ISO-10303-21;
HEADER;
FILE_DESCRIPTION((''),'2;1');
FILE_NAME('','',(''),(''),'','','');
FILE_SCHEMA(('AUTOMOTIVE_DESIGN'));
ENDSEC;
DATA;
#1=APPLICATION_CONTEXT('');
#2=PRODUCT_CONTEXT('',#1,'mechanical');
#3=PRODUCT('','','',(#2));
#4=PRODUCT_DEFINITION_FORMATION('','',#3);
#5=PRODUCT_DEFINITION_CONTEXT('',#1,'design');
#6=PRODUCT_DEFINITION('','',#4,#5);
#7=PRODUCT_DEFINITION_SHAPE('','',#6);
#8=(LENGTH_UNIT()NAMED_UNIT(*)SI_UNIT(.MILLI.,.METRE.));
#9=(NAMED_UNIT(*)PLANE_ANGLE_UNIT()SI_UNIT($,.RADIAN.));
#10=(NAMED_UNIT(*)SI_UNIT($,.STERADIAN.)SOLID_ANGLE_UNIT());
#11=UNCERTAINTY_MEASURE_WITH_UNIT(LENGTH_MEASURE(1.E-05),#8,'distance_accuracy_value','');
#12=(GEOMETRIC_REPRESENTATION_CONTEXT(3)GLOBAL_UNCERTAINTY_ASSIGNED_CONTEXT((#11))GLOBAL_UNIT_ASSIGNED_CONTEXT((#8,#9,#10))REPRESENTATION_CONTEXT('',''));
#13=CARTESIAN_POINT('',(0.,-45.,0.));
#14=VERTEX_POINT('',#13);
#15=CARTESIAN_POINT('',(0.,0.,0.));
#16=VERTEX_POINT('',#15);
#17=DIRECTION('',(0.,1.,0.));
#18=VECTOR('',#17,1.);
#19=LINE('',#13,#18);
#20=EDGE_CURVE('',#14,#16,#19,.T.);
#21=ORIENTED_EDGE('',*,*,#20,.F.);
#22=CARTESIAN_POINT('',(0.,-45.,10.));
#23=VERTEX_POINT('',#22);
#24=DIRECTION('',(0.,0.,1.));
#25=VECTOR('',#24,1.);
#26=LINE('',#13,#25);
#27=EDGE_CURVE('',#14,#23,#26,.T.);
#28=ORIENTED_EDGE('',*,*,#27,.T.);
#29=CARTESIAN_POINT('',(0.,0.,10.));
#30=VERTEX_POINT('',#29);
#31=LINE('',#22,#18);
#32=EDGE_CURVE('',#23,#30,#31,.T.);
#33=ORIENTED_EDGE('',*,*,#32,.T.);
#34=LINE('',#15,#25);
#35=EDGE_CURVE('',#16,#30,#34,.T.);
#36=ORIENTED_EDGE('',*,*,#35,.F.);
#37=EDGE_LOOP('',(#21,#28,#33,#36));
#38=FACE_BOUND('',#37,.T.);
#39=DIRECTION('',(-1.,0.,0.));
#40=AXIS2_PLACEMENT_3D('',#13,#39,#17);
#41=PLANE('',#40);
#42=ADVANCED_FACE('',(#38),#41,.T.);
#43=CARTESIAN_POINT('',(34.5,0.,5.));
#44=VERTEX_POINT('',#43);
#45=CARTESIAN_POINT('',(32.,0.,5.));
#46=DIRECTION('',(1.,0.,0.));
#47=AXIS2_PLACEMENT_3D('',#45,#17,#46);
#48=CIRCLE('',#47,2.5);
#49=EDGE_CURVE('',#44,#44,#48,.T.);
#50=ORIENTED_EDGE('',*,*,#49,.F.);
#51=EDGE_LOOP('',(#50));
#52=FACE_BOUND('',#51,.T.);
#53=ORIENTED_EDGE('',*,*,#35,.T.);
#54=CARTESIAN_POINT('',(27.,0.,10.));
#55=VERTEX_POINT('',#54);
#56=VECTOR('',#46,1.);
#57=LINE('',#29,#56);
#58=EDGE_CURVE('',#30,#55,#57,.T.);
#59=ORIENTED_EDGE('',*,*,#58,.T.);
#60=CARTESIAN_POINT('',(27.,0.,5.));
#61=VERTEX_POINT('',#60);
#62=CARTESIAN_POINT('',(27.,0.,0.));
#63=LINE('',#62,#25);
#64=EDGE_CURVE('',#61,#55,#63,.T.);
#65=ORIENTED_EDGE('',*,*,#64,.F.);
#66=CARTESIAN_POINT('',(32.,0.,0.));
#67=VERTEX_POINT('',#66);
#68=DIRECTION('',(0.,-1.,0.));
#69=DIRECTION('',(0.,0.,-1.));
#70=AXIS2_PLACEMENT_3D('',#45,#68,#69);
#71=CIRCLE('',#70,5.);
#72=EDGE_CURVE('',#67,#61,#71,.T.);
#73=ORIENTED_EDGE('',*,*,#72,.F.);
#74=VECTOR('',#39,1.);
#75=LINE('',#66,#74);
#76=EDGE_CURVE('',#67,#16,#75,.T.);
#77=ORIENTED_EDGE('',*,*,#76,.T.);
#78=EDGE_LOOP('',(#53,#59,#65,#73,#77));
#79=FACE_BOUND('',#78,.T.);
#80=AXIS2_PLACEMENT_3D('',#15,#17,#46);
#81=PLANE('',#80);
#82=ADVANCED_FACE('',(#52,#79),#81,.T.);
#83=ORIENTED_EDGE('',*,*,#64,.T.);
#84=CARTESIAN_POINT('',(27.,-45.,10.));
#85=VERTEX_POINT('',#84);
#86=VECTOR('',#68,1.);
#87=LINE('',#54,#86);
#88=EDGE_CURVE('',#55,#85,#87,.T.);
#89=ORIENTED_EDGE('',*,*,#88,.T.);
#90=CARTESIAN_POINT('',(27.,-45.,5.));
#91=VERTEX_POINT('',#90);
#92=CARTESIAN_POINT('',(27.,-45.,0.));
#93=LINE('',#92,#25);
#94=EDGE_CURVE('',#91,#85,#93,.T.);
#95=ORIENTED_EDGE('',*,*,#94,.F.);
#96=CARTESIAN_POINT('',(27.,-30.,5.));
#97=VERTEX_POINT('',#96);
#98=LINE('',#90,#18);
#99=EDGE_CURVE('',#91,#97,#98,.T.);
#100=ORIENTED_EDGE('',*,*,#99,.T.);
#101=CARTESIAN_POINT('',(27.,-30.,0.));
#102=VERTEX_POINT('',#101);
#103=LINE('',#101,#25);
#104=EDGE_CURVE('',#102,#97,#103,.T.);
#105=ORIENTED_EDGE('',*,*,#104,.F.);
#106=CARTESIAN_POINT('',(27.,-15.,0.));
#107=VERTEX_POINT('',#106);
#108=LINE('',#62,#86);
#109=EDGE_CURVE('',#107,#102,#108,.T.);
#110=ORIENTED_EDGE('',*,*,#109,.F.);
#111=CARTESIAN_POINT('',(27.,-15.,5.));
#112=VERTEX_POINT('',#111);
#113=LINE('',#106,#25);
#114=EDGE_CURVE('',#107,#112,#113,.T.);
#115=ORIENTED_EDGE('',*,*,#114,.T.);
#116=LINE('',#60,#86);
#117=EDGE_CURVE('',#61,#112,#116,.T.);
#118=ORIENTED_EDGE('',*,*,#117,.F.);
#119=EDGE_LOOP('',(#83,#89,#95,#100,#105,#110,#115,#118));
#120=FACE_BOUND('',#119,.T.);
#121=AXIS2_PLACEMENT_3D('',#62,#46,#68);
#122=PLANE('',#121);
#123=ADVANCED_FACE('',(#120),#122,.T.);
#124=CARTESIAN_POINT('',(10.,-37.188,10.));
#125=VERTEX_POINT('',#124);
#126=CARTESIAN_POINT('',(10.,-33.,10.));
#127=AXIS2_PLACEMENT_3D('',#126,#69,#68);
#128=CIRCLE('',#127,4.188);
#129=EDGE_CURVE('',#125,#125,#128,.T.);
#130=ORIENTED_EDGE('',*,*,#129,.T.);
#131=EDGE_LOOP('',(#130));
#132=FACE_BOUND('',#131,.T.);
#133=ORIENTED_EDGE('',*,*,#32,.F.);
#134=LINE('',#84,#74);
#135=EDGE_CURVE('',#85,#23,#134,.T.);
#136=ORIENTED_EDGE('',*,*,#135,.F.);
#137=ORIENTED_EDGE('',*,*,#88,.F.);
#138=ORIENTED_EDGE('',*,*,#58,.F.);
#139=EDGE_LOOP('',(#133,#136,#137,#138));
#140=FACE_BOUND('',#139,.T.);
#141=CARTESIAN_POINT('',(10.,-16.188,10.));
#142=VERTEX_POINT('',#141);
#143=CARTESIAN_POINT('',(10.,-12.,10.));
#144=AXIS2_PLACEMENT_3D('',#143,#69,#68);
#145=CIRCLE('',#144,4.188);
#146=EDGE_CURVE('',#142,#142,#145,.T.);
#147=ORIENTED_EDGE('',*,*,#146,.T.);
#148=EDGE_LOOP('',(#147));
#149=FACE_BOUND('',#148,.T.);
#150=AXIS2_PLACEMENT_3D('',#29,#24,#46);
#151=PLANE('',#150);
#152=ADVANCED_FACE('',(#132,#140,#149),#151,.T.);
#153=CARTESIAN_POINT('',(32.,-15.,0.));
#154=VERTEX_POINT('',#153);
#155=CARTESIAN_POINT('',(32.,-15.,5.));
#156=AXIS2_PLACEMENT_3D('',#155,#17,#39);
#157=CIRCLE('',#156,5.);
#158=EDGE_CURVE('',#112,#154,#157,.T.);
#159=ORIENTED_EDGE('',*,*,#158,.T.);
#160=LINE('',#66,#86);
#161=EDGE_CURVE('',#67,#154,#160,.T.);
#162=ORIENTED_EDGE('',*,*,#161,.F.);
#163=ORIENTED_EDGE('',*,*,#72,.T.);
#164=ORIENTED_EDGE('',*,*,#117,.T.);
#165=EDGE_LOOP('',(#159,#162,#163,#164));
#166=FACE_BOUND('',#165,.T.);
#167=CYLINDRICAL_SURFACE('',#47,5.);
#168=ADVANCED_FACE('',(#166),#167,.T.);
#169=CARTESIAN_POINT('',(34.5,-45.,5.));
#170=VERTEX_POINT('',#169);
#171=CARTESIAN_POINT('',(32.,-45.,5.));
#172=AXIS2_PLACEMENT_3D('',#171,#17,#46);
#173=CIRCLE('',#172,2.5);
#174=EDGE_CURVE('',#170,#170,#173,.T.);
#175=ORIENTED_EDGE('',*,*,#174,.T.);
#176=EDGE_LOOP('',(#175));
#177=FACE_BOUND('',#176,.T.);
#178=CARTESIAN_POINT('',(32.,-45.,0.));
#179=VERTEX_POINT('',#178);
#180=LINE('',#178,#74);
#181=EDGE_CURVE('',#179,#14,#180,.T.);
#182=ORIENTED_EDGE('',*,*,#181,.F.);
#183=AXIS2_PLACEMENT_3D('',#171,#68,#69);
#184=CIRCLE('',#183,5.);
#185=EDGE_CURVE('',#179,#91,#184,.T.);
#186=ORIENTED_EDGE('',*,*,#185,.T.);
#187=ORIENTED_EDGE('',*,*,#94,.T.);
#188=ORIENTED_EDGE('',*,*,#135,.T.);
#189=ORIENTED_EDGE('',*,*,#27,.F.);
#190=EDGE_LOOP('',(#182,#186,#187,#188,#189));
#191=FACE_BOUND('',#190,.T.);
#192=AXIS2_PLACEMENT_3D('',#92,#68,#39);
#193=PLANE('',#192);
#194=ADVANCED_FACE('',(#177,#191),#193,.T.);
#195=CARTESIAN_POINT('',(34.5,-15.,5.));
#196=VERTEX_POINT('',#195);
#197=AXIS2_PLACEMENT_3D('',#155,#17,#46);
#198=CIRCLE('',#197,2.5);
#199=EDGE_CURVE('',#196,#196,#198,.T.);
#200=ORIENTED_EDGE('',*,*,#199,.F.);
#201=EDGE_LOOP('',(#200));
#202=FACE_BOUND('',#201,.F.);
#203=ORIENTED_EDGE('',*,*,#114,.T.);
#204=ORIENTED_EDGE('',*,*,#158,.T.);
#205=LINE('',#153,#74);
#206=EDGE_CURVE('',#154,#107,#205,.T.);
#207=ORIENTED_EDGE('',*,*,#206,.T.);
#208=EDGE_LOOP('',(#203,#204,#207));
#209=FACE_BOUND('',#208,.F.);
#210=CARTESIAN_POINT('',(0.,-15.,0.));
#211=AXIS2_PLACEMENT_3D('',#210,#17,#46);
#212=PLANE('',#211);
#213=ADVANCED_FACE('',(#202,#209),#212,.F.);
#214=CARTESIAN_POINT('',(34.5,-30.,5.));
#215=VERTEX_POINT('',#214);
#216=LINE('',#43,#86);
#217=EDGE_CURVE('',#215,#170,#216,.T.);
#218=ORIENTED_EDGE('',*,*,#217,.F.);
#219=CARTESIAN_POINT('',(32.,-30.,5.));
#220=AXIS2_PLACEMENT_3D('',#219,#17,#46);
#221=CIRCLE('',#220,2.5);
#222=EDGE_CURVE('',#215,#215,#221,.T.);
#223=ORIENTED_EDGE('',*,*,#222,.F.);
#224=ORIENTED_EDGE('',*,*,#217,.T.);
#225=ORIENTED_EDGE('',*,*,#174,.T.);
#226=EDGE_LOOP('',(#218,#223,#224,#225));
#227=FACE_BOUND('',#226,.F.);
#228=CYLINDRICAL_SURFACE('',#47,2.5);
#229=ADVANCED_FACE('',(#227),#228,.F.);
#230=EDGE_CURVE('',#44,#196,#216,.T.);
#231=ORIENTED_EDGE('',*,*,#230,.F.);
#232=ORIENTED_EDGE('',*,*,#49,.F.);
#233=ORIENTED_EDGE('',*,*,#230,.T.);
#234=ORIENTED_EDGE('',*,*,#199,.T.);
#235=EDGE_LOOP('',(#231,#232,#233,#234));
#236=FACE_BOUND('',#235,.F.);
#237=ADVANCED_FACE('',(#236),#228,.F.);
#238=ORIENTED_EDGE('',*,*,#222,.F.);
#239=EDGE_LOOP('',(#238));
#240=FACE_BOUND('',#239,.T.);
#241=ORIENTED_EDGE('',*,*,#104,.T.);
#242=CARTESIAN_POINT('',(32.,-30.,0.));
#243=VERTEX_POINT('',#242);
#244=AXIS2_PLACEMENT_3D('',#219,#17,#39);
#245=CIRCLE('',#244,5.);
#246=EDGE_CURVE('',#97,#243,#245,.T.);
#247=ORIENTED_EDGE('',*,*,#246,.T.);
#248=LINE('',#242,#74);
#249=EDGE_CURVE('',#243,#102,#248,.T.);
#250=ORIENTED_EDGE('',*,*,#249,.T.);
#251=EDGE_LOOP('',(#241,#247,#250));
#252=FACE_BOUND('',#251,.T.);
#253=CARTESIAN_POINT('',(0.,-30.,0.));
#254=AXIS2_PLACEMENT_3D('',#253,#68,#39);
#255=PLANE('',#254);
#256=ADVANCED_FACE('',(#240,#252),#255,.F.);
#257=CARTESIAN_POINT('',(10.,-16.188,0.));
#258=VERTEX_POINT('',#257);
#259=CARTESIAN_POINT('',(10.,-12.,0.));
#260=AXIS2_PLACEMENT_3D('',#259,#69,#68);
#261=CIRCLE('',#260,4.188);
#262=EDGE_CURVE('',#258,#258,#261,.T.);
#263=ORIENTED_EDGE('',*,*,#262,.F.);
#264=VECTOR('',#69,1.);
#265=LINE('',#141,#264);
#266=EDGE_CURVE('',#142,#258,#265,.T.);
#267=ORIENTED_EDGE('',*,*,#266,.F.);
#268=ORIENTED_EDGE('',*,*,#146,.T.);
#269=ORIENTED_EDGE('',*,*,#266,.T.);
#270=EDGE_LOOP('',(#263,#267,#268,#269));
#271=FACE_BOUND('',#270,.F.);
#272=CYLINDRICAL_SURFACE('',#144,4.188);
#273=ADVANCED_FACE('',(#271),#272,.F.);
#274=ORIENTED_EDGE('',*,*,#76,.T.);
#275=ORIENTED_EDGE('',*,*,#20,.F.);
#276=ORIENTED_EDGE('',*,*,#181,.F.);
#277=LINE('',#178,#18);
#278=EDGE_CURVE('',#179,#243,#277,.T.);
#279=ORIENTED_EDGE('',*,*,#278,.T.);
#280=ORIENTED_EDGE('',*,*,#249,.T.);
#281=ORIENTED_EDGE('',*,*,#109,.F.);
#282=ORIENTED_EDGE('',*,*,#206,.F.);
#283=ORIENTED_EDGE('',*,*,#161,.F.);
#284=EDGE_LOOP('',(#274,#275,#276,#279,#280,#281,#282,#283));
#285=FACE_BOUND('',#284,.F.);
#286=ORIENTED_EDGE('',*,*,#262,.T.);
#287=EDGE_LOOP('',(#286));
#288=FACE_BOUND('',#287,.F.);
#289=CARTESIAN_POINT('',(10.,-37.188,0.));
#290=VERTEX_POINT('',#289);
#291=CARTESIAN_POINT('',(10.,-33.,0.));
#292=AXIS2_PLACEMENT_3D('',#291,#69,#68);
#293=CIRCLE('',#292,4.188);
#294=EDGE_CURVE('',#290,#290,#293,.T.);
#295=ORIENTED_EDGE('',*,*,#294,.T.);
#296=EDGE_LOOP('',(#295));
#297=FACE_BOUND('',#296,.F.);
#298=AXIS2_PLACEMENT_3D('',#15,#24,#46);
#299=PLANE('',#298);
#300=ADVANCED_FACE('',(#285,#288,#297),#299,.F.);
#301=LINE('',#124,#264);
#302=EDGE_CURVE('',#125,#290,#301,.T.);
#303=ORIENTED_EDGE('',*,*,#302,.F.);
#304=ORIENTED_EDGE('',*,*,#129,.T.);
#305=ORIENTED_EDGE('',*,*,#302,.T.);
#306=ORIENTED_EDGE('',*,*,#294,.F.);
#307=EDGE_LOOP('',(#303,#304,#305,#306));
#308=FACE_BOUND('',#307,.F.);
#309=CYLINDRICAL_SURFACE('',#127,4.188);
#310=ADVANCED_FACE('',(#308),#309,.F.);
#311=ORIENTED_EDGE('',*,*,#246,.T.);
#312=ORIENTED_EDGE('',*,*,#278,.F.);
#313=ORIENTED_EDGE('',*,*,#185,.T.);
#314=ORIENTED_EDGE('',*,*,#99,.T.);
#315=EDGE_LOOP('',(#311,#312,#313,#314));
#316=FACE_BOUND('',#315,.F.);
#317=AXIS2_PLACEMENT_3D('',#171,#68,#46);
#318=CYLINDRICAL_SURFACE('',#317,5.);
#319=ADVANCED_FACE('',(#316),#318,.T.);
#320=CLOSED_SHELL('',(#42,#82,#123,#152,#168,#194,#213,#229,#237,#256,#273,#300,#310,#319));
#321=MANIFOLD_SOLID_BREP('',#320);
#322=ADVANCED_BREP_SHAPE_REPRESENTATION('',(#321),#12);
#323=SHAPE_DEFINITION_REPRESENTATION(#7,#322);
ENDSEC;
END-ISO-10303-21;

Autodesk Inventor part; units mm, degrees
ref_plane "YZ Plane" through (0, 0, 0) normal (1, 0, 0) x (0, 1, 0)
ref_plane "XZ Plane" through (0, 0, 0) normal (0, 1, 0) x (-1, 0, 0)
ref_plane "XY Plane" through (0, 0, 0) normal (0, 0, 1) x (1, 0, 0)
sketch "草图1" plane through (0, 0, 0) normal (0, 0, 1) x (1, 0, 0)
  line L0 (0, 0) -> (27, 0)
  line L1 (27, 0) -> (27, -45)
  line L2 (27, -45) -> (0, -45)
  line L3 (0, -45) -> (0, 0)
  dimension "d0" = 27
  dimension "d1" = 45
extrude "拉伸1" add sketch "草图1" along normal blind 10
sketch "草图2" plane through (0, 0, 0) normal (0, 1, 0) x (1, 0, 0)
  circle A0 centre (32, -5) radius 5
  line L0 (27, -10) -> (0, -10) projected
  line L1 (27, 0) -> (27, -10) projected
  line L2 (0, 0) -> (27, 0) projected
  line L3 (32, 0) -> (27, 0)
  line L4 (27, 0) -> (27, -10) projected
  line L5 (27, -5) -> (27, 0)
  dimension "d4" = 10
  dimension "d5" = 5
  dimension "d6" = 5
extrude "拉伸2" add sketch "草图2" against normal blind 15
sketch "草图3" plane through (0, 0, 10) normal (0, 1, 0) x (1, 0, 0)
  arc A0 (27, 5) -> (32, 10) centre (32, 5) ccw projected
  circle A1 centre (32, 5) radius 2.5
  point P0 (0, 10)
  dimension "d9" = 5
ref_plane "工作平面1" through (0, -22.5, 0) normal (0, -1, 0) x (1, 0, 0)
mirror "镜像1" about plane through (0, -22.5, 0) normal (0, -1, 0) of "拉伸2"
extrude "拉伸3" cut sketch "草图3" against normal up to surface (45 mm away)
sketch "草图4" plane through (0, 0, 10) normal (0, 0, 1) x (1, 0, 0)
  line L0 (27, 0) -> (0, 0) projected
  line L1 (0, -45) -> (27, -45) projected
  line L2 (0, 0) -> (0, -45) projected
  point P0 (10, -12)
  point P1 (10, -33)
  dimension "d12" = 12
  dimension "d13" = 12
  dimension "d14" = 10
  dimension "d15" = 10
hole "孔1" at (10, -12, 10) at (10, -33, 10) direction (0, 0, -1) diameter 8.376 depth 27.3 thread size "M10x1.5" designation "M10" class "6H" standard "GB Metric profile"
properties part number "连接块"
